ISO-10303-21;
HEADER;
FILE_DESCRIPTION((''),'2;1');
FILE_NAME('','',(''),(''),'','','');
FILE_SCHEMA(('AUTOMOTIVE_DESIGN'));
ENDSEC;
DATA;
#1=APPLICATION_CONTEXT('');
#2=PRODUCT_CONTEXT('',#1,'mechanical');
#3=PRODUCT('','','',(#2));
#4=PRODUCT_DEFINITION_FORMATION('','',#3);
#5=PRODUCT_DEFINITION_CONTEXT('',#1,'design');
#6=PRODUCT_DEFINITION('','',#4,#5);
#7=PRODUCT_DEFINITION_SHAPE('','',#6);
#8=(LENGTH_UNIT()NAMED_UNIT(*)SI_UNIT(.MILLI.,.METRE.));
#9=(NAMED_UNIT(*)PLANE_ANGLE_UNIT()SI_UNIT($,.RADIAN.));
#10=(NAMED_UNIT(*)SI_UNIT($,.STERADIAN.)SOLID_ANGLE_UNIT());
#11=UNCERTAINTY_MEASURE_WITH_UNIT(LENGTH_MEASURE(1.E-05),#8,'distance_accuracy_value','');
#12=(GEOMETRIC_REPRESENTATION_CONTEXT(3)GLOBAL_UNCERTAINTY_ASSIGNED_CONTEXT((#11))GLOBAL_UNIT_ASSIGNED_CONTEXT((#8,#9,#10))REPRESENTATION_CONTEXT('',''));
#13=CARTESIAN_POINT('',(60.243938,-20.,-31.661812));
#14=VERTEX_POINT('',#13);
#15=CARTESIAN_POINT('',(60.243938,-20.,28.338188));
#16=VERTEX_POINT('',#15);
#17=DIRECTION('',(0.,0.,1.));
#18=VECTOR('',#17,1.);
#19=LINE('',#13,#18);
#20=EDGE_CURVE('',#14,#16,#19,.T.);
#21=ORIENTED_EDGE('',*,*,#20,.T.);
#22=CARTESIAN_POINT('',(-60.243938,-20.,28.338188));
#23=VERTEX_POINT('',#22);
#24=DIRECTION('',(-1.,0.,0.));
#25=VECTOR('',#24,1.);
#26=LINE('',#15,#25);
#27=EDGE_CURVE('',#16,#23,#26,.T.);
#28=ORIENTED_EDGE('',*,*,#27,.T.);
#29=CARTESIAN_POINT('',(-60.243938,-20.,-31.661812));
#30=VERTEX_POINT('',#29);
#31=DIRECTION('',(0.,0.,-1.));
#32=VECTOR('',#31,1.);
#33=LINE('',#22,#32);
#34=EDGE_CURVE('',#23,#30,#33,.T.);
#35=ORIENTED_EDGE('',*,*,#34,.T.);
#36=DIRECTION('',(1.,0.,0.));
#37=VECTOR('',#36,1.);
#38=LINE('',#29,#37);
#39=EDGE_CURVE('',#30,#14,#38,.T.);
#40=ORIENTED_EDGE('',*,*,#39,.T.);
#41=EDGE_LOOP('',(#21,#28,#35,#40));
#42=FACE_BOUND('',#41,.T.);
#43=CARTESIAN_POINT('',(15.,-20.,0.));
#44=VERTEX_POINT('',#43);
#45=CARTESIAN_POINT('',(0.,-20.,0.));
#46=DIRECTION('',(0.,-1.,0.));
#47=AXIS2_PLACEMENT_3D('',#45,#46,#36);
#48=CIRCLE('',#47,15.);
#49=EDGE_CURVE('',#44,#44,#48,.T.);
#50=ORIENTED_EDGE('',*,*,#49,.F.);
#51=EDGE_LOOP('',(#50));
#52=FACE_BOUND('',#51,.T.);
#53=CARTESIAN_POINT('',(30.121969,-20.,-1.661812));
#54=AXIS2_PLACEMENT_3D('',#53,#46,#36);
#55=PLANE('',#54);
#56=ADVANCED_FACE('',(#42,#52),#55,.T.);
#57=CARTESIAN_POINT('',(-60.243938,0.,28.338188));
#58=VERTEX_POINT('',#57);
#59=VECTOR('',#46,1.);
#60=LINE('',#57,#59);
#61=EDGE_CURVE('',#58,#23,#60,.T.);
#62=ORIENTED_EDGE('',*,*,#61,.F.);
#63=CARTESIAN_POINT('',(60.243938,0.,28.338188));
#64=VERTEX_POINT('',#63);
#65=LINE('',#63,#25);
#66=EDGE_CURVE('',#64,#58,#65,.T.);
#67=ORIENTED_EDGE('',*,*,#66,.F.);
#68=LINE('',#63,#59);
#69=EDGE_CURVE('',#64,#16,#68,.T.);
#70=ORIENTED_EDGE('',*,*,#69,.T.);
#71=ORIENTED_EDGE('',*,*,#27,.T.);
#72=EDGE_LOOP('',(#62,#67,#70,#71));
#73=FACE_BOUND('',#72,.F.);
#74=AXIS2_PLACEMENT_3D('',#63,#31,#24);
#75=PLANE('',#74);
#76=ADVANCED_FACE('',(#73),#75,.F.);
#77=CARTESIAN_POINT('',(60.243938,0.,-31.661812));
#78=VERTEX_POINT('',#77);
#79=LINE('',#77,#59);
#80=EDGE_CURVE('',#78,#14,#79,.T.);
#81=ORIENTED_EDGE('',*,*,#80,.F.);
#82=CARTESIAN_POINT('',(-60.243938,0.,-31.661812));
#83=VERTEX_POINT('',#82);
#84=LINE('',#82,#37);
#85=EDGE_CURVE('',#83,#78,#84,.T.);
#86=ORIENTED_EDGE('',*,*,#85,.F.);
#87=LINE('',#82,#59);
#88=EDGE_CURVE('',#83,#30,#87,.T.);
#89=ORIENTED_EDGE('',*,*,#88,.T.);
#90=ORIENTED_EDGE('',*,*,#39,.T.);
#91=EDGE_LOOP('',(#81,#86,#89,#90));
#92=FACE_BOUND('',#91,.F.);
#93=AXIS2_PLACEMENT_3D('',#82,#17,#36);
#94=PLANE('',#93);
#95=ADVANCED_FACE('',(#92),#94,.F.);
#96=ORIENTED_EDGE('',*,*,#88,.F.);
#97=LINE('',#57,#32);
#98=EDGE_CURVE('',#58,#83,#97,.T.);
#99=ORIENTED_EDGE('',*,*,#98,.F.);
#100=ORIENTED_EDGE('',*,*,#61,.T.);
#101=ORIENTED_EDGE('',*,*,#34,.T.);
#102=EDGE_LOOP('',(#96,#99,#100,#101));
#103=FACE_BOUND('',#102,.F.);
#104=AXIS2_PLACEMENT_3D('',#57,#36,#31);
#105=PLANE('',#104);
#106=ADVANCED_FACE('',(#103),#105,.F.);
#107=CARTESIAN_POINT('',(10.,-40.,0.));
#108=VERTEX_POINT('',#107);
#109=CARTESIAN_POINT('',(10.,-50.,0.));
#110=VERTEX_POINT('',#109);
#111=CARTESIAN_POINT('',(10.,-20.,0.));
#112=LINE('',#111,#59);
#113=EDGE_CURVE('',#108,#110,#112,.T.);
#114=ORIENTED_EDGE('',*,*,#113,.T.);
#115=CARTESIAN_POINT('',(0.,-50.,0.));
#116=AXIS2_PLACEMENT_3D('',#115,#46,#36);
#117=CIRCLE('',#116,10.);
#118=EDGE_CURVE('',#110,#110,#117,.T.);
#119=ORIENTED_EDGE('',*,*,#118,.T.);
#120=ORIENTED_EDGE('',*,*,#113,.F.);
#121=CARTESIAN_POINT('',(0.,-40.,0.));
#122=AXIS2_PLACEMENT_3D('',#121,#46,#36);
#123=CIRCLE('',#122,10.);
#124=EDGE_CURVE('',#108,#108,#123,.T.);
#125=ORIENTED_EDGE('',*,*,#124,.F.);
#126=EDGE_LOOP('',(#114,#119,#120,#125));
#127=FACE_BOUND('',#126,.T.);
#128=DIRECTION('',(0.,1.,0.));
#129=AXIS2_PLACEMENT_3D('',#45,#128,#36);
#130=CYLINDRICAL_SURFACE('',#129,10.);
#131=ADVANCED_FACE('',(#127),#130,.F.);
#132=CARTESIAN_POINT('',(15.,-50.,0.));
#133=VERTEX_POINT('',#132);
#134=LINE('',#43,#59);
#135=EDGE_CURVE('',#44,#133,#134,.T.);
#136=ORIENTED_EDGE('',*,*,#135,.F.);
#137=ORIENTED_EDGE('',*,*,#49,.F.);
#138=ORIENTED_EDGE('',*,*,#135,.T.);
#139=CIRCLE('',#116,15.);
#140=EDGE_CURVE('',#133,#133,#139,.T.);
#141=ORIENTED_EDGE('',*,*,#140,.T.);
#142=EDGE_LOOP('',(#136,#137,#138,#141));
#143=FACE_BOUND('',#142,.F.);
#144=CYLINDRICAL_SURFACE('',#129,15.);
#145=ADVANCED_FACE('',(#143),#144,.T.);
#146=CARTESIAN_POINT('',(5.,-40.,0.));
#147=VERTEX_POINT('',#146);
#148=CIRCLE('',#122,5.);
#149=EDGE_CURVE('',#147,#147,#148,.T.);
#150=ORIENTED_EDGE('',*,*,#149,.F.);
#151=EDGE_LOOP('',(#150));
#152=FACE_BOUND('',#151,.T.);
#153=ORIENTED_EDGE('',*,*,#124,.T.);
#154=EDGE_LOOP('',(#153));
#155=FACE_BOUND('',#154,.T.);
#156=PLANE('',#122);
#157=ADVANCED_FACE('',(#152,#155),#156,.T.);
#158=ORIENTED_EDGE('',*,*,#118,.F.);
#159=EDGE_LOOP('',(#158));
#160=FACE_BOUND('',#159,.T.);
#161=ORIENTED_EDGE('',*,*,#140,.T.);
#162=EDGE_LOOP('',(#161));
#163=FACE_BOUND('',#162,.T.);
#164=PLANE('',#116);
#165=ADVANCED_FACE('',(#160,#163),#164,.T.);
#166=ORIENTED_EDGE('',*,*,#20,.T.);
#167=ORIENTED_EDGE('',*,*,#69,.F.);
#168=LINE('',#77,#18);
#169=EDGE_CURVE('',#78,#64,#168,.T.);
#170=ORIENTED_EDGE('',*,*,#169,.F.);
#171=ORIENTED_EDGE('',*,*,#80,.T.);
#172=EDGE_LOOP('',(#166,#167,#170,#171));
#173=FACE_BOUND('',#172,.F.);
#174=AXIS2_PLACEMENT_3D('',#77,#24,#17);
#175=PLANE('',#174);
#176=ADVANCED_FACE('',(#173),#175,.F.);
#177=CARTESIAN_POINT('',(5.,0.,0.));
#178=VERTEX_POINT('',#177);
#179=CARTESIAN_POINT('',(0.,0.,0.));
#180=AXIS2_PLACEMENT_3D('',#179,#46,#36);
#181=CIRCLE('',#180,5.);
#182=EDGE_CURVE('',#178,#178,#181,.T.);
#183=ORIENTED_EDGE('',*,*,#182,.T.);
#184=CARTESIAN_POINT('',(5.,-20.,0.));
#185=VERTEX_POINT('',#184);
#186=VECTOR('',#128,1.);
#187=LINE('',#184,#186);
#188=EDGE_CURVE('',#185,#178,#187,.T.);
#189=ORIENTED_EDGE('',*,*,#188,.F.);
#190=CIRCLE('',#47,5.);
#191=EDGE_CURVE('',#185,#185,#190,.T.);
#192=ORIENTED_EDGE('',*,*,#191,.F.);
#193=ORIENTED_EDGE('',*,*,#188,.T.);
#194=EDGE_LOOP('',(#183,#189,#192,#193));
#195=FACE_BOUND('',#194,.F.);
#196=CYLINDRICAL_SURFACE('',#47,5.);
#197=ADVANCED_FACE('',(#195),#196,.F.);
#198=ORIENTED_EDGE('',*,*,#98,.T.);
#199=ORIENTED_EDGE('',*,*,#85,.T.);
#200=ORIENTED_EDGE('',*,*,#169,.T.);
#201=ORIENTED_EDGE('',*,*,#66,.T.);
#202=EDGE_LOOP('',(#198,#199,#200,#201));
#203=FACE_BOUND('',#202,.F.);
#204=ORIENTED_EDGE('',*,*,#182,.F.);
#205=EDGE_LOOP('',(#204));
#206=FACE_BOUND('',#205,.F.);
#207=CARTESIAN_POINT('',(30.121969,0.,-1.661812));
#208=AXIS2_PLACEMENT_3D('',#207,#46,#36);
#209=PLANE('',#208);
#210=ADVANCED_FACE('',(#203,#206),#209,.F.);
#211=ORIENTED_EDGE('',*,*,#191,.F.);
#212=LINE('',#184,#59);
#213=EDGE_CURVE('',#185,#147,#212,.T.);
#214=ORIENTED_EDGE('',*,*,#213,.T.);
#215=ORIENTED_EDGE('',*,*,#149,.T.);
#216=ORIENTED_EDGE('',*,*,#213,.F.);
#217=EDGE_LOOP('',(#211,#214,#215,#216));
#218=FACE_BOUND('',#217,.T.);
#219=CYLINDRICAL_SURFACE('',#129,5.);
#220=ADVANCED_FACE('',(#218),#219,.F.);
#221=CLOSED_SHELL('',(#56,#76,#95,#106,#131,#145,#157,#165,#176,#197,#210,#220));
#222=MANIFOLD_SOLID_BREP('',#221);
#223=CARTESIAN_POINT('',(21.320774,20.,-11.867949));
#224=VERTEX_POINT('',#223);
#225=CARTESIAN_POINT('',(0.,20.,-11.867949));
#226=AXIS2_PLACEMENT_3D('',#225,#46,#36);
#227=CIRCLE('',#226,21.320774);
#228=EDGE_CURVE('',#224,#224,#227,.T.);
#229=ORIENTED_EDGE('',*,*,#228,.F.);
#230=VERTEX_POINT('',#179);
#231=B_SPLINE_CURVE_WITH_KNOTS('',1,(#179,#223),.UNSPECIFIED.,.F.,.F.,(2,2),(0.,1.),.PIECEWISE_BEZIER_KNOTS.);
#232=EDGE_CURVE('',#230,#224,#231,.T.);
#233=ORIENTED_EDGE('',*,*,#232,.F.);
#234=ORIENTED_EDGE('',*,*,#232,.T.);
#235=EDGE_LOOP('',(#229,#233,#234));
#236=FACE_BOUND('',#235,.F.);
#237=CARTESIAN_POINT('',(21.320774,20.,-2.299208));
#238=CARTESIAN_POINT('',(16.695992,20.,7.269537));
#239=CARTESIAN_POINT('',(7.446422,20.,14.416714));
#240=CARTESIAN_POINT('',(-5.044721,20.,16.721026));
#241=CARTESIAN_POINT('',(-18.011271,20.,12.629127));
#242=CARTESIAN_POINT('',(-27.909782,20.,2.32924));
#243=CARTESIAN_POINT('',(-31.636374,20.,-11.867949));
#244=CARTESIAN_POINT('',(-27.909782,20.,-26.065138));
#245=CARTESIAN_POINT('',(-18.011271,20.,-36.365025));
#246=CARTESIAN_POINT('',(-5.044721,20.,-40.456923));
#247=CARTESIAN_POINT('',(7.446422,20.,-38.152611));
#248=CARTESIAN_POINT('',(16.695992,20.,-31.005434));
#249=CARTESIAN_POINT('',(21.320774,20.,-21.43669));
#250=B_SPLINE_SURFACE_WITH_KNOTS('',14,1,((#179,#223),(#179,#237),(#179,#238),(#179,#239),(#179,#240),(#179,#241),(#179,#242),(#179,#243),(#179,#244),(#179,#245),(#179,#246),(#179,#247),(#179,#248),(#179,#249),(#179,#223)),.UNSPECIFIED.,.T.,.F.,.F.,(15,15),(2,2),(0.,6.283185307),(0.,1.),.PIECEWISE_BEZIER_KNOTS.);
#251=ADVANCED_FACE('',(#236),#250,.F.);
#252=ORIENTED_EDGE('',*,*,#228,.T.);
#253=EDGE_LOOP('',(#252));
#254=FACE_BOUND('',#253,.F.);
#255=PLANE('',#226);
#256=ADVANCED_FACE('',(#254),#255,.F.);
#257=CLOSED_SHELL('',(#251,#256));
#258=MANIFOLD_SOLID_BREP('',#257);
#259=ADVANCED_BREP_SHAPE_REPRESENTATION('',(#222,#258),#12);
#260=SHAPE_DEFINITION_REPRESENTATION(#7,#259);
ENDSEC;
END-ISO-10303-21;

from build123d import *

# Parameters (mm, degrees)
F1_DEPTH = 20
F2_R     = 5
F3_DEPTH = 20.001
F4_R     = 10
F4_R_2   = 5
F5_DEPTH = 20
F6_R     = 15
F6_R_2   = 10
F8_DEPTH = 30
F10_R    = 21.3207738462


with BuildPart() as f1:
    # F0 (on Front) → F1 (new body)
    with BuildSketch(Plane.XZ):
        Polygon((45.2439381182, 28.3381881281), (0, 28.3381881281), (0, -31.6618118719), (45.2439381182, -31.6618118719), (50.2439381182, -31.6618118719), (55.2439381182, -31.6618118719), (60.2439381182, -31.6618118719), (60.2439381182, 28.3381881281), align=None)
        Polygon((0, -31.6618118719), (0, 28.3381881281), (-45.2439381182, 28.3381881281), (-60.2439381182, 28.3381881281), (-60.2439381182, -31.6618118719), (-55.2439381182, -31.6618118719), (-50.2439381182, -31.6618118719), (-45.2439381182, -31.6618118719), align=None)
    extrude(amount=F1_DEPTH)

    # F2 (on face) → F3 (cut, through all)
    with BuildSketch(Plane.XZ.offset(20)):
        Circle(F2_R)
    extrude(amount=-F3_DEPTH, mode=Mode.SUBTRACT)

    # F4 (on face) → F5 (join)
    with BuildSketch(Plane.XZ.offset(20)):
        Circle(F4_R)
        Circle(F4_R_2, mode=Mode.SUBTRACT)
    extrude(amount=F5_DEPTH)

    # F6 (on face) → F8 (join)
    with BuildSketch(Plane.XZ.offset(20)):
        Circle(F6_R)
        Circle(F6_R_2, mode=Mode.SUBTRACT)
    extrude(amount=F8_DEPTH)


with BuildPart() as f11:
    # F10 (on offset) → F11 section 0
    with BuildSketch(Plane.XZ.offset(-20), mode=Mode.PRIVATE) as f11_s0:
        with Locations((0, -11.8679488078)):
            Circle(F10_R)
    loft([Vertex(0, 0, 0), f11_s0.sketch])


solid = Compound([f1.part, f11.part])
